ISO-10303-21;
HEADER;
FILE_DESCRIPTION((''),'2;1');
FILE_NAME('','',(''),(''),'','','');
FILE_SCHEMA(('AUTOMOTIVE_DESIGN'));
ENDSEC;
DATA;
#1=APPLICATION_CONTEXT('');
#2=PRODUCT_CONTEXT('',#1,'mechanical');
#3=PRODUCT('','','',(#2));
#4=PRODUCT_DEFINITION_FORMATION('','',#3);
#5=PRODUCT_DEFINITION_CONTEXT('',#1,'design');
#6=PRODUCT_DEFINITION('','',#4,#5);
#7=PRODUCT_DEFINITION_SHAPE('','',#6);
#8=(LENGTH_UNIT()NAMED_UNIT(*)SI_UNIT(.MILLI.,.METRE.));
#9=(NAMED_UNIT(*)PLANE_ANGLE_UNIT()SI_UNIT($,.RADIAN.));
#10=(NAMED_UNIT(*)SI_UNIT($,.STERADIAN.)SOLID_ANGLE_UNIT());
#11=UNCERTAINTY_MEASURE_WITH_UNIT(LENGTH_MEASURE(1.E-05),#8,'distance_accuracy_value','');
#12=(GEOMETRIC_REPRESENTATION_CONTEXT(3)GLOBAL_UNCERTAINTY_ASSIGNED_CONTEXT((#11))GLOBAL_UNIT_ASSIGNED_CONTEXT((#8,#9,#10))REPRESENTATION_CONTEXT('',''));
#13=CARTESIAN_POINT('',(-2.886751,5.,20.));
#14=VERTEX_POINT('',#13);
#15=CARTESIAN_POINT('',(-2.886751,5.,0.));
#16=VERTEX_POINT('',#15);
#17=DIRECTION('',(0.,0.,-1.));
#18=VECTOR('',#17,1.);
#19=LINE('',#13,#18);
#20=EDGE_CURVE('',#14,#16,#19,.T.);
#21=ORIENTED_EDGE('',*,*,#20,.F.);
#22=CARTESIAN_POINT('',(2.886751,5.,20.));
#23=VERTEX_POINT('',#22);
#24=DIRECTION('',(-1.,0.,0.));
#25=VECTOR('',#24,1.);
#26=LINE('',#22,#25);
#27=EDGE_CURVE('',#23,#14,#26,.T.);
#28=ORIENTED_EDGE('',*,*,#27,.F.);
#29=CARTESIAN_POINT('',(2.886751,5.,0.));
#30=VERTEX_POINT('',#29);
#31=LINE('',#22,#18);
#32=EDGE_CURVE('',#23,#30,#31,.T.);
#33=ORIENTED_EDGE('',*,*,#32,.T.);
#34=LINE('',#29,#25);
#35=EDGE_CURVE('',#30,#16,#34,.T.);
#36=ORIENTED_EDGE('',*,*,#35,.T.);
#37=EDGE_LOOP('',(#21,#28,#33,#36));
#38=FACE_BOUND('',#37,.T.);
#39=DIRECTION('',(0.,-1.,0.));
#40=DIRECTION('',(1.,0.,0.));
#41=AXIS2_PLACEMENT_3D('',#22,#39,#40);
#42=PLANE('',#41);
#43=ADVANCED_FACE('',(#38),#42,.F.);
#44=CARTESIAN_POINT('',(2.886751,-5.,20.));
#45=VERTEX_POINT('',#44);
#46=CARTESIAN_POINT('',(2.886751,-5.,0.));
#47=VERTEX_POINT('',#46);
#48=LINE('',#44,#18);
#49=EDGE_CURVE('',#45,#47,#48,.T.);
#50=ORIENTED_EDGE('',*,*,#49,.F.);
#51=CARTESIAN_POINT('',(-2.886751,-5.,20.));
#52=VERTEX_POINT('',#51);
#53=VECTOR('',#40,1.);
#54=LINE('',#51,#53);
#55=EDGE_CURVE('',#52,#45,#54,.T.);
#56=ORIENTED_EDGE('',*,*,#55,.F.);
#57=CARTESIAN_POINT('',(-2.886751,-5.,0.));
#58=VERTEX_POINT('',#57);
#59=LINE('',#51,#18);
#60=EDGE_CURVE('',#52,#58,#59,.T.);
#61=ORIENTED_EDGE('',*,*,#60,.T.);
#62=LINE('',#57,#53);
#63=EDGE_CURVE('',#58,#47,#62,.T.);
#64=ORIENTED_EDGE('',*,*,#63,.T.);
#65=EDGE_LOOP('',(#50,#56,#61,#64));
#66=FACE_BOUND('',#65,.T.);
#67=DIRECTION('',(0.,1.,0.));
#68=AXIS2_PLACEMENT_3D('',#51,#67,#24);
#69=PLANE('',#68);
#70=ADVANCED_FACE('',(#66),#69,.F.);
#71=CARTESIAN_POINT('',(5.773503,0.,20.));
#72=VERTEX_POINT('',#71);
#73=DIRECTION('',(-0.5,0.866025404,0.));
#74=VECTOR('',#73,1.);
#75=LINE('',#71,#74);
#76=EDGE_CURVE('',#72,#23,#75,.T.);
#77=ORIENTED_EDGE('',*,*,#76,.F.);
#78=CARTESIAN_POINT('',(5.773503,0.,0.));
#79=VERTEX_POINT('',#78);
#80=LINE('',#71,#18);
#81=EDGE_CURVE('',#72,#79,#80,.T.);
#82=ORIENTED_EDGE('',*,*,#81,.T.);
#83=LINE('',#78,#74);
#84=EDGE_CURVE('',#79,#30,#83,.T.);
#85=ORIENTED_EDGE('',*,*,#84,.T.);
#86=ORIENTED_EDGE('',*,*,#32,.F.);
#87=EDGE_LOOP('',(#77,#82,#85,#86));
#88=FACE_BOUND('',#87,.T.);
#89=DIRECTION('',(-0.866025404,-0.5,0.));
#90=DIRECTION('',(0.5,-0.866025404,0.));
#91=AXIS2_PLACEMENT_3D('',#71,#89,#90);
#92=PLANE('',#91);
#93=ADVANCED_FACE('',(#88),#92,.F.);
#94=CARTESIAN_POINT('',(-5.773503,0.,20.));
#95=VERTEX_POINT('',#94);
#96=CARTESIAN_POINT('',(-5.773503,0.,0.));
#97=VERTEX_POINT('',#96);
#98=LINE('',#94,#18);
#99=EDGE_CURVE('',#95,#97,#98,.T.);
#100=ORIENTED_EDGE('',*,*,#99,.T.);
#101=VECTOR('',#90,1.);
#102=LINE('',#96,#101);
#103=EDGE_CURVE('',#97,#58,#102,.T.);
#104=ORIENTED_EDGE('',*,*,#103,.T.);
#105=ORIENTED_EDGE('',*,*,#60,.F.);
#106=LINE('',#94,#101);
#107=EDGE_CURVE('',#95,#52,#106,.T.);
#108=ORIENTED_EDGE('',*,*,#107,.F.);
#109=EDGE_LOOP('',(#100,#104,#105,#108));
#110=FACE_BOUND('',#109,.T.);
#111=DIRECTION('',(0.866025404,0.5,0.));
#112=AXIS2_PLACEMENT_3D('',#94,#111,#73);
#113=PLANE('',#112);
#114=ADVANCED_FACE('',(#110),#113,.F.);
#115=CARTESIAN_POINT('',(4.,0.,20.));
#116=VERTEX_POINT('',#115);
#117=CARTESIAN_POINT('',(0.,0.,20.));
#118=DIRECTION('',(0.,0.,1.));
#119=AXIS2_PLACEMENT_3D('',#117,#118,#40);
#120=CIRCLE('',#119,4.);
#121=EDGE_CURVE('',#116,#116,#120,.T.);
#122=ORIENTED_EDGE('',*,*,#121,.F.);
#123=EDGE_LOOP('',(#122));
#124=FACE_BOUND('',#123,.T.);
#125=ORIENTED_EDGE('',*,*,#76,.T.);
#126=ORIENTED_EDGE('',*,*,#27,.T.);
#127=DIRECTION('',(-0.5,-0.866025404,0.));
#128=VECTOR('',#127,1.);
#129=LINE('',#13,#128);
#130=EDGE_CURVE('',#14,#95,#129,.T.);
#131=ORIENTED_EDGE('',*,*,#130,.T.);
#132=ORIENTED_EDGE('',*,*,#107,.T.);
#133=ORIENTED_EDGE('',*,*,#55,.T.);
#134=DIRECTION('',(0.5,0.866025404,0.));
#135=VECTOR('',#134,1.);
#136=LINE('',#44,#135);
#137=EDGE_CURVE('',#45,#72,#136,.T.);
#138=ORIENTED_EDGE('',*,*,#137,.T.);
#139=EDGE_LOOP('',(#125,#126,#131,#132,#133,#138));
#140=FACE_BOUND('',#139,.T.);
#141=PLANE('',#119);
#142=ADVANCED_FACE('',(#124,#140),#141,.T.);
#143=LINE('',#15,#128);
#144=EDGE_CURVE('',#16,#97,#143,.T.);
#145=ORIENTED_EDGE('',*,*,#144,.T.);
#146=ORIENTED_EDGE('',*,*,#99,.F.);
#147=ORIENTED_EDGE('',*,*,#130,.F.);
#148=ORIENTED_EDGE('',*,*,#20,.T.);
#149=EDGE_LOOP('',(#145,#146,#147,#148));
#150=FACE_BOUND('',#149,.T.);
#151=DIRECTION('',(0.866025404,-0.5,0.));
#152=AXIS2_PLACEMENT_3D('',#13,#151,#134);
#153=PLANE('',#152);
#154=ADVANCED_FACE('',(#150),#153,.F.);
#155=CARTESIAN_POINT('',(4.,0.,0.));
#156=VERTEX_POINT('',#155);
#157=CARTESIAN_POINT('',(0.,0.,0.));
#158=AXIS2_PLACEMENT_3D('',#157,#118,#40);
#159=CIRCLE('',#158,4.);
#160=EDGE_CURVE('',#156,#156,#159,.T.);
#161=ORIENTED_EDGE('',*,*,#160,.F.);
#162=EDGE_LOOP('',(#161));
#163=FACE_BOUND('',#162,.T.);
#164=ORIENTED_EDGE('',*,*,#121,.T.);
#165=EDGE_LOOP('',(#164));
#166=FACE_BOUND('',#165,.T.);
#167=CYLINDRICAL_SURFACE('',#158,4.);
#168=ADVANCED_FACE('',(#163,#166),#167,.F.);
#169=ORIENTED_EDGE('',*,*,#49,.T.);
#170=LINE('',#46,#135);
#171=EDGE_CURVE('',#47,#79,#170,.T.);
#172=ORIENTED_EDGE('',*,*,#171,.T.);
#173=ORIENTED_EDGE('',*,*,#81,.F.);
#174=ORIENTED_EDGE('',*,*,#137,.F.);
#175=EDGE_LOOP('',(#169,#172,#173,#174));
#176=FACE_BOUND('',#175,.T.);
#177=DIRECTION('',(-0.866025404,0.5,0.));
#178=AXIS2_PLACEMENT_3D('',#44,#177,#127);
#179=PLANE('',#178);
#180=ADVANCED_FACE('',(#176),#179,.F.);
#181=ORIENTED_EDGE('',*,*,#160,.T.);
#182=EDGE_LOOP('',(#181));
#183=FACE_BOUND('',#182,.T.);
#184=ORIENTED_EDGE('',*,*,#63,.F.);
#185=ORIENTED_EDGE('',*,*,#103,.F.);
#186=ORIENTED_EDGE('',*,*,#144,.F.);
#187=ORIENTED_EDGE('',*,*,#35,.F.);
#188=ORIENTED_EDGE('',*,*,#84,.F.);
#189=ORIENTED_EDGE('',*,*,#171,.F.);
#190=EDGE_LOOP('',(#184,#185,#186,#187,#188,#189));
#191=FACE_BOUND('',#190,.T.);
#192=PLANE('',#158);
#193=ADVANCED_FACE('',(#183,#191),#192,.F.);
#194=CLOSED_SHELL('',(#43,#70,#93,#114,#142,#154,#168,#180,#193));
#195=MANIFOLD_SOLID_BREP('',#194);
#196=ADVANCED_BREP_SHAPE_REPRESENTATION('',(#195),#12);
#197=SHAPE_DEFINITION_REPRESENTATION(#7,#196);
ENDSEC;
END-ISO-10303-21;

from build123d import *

# Parameters (mm, degrees)
EXTRUDE_1_DEPTH     = 20
SKETCH_2_R          = 4
CUT_EXTRUDE_1_DEPTH = 20


with BuildPart() as part:
    # 草图1 → 凸台-拉伸1 (new body)
    with BuildSketch(Plane.XY):
        Polygon((5.773502692, 0), (2.886751346, 5), (-2.886751346, 5), (-5.773502692, 0), (-2.886751346, -5), (2.886751346, -5), align=None)
    extrude(amount=EXTRUDE_1_DEPTH)

    # 草图2 → 切除-拉伸1 (cut)
    with BuildSketch(Plane.XY.offset(20)):
        Circle(SKETCH_2_R)
    extrude(amount=-CUT_EXTRUDE_1_DEPTH, mode=Mode.SUBTRACT)


solid = part.part
